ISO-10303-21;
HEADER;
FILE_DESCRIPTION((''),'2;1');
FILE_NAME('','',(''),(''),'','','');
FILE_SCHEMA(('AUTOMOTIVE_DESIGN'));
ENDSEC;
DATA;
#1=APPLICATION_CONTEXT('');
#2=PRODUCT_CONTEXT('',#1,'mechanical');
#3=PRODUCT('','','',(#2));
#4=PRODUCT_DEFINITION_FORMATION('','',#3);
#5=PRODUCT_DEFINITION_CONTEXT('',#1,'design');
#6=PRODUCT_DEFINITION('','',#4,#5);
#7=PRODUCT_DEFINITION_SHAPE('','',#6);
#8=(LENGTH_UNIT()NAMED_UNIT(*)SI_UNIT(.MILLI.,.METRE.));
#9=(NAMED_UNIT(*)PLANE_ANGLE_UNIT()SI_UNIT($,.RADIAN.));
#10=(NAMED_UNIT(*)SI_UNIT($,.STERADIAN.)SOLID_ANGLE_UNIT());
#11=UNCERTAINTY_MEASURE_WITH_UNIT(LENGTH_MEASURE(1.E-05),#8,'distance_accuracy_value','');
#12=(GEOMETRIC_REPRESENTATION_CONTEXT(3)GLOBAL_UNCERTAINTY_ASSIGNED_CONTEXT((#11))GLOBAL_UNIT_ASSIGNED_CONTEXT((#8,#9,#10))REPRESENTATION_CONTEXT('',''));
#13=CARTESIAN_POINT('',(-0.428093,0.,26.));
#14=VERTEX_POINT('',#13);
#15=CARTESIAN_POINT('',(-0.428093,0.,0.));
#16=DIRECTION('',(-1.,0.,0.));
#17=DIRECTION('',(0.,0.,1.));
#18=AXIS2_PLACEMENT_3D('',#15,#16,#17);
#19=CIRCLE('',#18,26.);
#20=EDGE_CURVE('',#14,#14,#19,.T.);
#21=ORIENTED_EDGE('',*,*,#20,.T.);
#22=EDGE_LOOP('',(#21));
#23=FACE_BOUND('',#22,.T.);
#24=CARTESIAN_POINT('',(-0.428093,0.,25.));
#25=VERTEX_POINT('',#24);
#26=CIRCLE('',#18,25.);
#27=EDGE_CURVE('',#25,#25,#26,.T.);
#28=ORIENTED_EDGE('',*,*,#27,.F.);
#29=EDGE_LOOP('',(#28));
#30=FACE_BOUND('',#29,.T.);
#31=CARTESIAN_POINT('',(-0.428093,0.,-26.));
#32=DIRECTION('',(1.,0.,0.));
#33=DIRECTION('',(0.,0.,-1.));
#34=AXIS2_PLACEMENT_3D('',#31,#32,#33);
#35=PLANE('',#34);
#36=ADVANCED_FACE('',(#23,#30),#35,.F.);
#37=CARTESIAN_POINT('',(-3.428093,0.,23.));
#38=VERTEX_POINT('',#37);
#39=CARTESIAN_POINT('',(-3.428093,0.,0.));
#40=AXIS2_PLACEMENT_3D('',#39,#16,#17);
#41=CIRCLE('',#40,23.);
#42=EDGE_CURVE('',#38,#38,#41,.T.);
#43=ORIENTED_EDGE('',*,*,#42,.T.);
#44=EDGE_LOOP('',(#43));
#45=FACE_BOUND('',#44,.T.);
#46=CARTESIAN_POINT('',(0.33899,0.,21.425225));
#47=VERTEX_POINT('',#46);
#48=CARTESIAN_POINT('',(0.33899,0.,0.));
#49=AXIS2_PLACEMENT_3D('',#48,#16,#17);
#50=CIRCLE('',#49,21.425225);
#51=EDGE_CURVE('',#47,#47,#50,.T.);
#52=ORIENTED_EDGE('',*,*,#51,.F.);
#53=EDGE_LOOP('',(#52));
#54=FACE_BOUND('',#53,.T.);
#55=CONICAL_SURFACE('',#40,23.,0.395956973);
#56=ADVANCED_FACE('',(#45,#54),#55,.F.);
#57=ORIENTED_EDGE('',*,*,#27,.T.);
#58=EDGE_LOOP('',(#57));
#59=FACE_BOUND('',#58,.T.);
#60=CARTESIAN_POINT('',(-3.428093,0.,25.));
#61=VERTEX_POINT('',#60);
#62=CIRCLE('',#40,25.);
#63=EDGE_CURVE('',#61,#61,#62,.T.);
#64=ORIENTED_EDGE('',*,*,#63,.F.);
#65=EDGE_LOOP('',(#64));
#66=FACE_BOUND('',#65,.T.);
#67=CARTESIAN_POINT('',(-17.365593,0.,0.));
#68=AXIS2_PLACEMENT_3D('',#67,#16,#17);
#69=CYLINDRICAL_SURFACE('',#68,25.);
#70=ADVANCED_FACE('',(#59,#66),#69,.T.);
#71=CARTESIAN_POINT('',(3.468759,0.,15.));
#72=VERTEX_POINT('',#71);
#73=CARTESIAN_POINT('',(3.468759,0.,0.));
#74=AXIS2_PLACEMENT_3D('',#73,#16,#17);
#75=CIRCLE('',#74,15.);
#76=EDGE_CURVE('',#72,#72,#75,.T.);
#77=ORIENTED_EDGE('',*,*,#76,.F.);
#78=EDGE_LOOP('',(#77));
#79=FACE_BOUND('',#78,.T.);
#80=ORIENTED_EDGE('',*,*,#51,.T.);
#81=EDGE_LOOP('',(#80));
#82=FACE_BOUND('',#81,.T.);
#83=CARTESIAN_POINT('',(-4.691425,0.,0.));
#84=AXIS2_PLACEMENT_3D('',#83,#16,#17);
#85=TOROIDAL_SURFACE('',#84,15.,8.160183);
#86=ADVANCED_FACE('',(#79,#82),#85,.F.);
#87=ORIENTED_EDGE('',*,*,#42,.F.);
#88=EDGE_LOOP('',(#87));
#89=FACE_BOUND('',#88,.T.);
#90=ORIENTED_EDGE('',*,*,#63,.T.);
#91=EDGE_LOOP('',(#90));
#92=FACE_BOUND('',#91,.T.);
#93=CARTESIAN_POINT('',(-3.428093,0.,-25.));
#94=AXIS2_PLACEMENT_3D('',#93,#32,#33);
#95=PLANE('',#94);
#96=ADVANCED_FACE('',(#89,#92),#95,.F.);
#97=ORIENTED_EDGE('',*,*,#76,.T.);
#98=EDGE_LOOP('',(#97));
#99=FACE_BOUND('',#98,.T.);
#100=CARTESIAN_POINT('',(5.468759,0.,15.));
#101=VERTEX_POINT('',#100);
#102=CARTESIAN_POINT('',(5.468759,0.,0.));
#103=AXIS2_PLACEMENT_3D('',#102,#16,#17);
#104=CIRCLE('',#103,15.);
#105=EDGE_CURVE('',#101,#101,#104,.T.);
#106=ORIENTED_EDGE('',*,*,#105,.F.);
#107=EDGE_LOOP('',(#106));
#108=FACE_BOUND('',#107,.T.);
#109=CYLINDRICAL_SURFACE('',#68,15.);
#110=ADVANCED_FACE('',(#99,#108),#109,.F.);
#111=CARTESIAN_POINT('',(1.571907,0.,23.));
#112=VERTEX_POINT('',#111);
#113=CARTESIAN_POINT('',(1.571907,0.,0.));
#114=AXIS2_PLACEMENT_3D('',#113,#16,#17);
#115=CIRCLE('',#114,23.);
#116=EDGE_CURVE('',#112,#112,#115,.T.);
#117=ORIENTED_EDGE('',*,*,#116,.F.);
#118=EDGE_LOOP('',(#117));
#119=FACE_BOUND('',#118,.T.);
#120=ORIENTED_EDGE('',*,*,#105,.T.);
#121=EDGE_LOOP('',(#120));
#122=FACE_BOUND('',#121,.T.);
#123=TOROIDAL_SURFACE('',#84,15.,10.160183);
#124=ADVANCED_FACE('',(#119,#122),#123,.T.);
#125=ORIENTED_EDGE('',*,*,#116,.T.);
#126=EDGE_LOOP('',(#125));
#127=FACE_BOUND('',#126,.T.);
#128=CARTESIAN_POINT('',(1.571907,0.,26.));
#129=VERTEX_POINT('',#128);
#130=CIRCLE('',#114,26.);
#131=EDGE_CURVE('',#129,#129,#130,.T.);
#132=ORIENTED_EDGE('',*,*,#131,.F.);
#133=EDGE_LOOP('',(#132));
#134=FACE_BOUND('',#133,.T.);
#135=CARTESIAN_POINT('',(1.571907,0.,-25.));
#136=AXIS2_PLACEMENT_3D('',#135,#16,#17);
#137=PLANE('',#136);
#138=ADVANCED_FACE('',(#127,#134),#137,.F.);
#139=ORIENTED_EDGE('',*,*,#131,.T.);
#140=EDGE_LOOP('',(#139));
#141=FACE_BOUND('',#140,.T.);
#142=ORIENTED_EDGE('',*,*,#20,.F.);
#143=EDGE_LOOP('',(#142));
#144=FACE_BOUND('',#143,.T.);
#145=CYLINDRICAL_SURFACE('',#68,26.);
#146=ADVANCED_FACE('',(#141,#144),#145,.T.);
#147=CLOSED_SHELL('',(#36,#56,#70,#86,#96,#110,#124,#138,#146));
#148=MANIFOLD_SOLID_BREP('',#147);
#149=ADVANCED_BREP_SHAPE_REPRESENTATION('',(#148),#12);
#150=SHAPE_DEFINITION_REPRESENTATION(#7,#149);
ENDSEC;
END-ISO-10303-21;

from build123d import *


with BuildPart() as part:
    # Sketch1 → Revolve1 (revolve)
    with BuildSketch(Plane(origin=(0, 0, 0), x_dir=(1, 0, 0), z_dir=(0, 1, 0))):
        with BuildLine():
            Line((1.571907147, 25), (1.571907147, 26))
            Line((1.571907147, 26), (-0.428092853, 26))
            Line((-0.428092853, 26), (-0.428092853, 25))
            Line((-0.428092853, 25), (-3.428092853, 25))
            Line((-3.428092853, 25), (-3.428092853, 23))
            Line((-3.428092853, 23), (0.338990058, 21.425225269))
            ThreePointArc((0.338990058, 21.425225269), (2.644708452, 18.573477692), (3.468758659, 15))
            Line((3.468758659, 15), (5.468758659, 15))
            ThreePointArc((5.468758659, 15), (4.4427399, 19.449310388), (1.571907147, 23))
            Line((1.571907147, 23), (1.571907147, 25))
        make_face()
    revolve(axis=Axis((-17.365592853, 0, 0), (1, 0, 0)))


solid = part.part
